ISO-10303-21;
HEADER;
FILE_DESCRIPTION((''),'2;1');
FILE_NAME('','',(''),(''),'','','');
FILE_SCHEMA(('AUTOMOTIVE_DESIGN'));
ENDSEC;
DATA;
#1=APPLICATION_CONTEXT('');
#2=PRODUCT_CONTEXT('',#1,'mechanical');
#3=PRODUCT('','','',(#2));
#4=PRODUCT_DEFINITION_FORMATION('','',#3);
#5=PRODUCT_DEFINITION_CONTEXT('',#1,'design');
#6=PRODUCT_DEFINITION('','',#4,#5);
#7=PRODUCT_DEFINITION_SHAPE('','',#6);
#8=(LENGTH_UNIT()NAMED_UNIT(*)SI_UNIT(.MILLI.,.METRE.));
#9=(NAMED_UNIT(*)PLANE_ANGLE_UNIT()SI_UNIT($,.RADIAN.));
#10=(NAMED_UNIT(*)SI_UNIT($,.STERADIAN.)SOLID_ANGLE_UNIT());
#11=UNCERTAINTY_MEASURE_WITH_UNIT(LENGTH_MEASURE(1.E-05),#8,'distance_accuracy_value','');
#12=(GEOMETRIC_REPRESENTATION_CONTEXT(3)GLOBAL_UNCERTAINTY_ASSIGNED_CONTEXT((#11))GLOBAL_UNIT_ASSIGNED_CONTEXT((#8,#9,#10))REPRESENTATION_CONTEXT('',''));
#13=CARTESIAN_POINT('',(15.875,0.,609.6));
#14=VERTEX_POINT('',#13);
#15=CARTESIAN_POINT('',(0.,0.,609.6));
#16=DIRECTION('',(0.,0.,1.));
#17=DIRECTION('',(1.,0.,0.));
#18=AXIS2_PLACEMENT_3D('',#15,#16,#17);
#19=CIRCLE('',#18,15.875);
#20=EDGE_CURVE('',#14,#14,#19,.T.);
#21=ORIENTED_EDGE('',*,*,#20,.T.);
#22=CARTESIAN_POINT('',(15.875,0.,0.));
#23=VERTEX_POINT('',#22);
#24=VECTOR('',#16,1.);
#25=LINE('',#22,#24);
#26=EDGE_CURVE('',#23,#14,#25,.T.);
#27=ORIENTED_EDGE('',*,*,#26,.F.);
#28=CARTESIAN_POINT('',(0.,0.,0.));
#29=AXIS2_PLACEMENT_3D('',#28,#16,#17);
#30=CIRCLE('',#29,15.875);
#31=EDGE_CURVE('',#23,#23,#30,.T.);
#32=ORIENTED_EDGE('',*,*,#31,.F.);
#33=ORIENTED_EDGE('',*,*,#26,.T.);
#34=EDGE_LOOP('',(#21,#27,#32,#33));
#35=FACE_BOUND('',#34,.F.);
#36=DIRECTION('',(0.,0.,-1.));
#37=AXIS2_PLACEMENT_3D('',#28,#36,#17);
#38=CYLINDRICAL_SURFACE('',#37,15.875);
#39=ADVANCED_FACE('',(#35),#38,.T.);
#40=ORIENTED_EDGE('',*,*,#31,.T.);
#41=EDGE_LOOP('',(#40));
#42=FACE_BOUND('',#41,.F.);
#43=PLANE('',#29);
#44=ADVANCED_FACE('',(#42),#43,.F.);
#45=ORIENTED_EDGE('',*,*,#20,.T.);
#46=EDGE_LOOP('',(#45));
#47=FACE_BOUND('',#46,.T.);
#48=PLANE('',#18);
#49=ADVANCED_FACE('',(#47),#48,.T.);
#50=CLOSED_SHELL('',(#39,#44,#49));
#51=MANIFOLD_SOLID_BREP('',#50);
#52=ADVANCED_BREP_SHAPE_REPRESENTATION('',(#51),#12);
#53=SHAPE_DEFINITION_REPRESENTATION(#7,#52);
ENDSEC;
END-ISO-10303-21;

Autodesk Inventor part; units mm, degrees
ref_plane "YZ Plane" through (0, 0, 0) normal (1, 0, 0) x (0, 1, 0)
ref_plane "XZ Plane" through (0, 0, 0) normal (0, 1, 0) x (-1, 0, 0)
ref_plane "XY Plane" through (0, 0, 0) normal (0, 0, 1) x (1, 0, 0)
sketch "Sketch1" plane through (0, 0, 0) normal (0, 0, 1) x (1, 0, 0)
  circle A0 centre (0, 0) radius 15.875
  dimension "d0" = 31.75
extrude "Extrusion1" add sketch "Sketch1" along normal blind 609.6
properties part number "1.25 bar x 2ft" material "Steel, Alloy"
